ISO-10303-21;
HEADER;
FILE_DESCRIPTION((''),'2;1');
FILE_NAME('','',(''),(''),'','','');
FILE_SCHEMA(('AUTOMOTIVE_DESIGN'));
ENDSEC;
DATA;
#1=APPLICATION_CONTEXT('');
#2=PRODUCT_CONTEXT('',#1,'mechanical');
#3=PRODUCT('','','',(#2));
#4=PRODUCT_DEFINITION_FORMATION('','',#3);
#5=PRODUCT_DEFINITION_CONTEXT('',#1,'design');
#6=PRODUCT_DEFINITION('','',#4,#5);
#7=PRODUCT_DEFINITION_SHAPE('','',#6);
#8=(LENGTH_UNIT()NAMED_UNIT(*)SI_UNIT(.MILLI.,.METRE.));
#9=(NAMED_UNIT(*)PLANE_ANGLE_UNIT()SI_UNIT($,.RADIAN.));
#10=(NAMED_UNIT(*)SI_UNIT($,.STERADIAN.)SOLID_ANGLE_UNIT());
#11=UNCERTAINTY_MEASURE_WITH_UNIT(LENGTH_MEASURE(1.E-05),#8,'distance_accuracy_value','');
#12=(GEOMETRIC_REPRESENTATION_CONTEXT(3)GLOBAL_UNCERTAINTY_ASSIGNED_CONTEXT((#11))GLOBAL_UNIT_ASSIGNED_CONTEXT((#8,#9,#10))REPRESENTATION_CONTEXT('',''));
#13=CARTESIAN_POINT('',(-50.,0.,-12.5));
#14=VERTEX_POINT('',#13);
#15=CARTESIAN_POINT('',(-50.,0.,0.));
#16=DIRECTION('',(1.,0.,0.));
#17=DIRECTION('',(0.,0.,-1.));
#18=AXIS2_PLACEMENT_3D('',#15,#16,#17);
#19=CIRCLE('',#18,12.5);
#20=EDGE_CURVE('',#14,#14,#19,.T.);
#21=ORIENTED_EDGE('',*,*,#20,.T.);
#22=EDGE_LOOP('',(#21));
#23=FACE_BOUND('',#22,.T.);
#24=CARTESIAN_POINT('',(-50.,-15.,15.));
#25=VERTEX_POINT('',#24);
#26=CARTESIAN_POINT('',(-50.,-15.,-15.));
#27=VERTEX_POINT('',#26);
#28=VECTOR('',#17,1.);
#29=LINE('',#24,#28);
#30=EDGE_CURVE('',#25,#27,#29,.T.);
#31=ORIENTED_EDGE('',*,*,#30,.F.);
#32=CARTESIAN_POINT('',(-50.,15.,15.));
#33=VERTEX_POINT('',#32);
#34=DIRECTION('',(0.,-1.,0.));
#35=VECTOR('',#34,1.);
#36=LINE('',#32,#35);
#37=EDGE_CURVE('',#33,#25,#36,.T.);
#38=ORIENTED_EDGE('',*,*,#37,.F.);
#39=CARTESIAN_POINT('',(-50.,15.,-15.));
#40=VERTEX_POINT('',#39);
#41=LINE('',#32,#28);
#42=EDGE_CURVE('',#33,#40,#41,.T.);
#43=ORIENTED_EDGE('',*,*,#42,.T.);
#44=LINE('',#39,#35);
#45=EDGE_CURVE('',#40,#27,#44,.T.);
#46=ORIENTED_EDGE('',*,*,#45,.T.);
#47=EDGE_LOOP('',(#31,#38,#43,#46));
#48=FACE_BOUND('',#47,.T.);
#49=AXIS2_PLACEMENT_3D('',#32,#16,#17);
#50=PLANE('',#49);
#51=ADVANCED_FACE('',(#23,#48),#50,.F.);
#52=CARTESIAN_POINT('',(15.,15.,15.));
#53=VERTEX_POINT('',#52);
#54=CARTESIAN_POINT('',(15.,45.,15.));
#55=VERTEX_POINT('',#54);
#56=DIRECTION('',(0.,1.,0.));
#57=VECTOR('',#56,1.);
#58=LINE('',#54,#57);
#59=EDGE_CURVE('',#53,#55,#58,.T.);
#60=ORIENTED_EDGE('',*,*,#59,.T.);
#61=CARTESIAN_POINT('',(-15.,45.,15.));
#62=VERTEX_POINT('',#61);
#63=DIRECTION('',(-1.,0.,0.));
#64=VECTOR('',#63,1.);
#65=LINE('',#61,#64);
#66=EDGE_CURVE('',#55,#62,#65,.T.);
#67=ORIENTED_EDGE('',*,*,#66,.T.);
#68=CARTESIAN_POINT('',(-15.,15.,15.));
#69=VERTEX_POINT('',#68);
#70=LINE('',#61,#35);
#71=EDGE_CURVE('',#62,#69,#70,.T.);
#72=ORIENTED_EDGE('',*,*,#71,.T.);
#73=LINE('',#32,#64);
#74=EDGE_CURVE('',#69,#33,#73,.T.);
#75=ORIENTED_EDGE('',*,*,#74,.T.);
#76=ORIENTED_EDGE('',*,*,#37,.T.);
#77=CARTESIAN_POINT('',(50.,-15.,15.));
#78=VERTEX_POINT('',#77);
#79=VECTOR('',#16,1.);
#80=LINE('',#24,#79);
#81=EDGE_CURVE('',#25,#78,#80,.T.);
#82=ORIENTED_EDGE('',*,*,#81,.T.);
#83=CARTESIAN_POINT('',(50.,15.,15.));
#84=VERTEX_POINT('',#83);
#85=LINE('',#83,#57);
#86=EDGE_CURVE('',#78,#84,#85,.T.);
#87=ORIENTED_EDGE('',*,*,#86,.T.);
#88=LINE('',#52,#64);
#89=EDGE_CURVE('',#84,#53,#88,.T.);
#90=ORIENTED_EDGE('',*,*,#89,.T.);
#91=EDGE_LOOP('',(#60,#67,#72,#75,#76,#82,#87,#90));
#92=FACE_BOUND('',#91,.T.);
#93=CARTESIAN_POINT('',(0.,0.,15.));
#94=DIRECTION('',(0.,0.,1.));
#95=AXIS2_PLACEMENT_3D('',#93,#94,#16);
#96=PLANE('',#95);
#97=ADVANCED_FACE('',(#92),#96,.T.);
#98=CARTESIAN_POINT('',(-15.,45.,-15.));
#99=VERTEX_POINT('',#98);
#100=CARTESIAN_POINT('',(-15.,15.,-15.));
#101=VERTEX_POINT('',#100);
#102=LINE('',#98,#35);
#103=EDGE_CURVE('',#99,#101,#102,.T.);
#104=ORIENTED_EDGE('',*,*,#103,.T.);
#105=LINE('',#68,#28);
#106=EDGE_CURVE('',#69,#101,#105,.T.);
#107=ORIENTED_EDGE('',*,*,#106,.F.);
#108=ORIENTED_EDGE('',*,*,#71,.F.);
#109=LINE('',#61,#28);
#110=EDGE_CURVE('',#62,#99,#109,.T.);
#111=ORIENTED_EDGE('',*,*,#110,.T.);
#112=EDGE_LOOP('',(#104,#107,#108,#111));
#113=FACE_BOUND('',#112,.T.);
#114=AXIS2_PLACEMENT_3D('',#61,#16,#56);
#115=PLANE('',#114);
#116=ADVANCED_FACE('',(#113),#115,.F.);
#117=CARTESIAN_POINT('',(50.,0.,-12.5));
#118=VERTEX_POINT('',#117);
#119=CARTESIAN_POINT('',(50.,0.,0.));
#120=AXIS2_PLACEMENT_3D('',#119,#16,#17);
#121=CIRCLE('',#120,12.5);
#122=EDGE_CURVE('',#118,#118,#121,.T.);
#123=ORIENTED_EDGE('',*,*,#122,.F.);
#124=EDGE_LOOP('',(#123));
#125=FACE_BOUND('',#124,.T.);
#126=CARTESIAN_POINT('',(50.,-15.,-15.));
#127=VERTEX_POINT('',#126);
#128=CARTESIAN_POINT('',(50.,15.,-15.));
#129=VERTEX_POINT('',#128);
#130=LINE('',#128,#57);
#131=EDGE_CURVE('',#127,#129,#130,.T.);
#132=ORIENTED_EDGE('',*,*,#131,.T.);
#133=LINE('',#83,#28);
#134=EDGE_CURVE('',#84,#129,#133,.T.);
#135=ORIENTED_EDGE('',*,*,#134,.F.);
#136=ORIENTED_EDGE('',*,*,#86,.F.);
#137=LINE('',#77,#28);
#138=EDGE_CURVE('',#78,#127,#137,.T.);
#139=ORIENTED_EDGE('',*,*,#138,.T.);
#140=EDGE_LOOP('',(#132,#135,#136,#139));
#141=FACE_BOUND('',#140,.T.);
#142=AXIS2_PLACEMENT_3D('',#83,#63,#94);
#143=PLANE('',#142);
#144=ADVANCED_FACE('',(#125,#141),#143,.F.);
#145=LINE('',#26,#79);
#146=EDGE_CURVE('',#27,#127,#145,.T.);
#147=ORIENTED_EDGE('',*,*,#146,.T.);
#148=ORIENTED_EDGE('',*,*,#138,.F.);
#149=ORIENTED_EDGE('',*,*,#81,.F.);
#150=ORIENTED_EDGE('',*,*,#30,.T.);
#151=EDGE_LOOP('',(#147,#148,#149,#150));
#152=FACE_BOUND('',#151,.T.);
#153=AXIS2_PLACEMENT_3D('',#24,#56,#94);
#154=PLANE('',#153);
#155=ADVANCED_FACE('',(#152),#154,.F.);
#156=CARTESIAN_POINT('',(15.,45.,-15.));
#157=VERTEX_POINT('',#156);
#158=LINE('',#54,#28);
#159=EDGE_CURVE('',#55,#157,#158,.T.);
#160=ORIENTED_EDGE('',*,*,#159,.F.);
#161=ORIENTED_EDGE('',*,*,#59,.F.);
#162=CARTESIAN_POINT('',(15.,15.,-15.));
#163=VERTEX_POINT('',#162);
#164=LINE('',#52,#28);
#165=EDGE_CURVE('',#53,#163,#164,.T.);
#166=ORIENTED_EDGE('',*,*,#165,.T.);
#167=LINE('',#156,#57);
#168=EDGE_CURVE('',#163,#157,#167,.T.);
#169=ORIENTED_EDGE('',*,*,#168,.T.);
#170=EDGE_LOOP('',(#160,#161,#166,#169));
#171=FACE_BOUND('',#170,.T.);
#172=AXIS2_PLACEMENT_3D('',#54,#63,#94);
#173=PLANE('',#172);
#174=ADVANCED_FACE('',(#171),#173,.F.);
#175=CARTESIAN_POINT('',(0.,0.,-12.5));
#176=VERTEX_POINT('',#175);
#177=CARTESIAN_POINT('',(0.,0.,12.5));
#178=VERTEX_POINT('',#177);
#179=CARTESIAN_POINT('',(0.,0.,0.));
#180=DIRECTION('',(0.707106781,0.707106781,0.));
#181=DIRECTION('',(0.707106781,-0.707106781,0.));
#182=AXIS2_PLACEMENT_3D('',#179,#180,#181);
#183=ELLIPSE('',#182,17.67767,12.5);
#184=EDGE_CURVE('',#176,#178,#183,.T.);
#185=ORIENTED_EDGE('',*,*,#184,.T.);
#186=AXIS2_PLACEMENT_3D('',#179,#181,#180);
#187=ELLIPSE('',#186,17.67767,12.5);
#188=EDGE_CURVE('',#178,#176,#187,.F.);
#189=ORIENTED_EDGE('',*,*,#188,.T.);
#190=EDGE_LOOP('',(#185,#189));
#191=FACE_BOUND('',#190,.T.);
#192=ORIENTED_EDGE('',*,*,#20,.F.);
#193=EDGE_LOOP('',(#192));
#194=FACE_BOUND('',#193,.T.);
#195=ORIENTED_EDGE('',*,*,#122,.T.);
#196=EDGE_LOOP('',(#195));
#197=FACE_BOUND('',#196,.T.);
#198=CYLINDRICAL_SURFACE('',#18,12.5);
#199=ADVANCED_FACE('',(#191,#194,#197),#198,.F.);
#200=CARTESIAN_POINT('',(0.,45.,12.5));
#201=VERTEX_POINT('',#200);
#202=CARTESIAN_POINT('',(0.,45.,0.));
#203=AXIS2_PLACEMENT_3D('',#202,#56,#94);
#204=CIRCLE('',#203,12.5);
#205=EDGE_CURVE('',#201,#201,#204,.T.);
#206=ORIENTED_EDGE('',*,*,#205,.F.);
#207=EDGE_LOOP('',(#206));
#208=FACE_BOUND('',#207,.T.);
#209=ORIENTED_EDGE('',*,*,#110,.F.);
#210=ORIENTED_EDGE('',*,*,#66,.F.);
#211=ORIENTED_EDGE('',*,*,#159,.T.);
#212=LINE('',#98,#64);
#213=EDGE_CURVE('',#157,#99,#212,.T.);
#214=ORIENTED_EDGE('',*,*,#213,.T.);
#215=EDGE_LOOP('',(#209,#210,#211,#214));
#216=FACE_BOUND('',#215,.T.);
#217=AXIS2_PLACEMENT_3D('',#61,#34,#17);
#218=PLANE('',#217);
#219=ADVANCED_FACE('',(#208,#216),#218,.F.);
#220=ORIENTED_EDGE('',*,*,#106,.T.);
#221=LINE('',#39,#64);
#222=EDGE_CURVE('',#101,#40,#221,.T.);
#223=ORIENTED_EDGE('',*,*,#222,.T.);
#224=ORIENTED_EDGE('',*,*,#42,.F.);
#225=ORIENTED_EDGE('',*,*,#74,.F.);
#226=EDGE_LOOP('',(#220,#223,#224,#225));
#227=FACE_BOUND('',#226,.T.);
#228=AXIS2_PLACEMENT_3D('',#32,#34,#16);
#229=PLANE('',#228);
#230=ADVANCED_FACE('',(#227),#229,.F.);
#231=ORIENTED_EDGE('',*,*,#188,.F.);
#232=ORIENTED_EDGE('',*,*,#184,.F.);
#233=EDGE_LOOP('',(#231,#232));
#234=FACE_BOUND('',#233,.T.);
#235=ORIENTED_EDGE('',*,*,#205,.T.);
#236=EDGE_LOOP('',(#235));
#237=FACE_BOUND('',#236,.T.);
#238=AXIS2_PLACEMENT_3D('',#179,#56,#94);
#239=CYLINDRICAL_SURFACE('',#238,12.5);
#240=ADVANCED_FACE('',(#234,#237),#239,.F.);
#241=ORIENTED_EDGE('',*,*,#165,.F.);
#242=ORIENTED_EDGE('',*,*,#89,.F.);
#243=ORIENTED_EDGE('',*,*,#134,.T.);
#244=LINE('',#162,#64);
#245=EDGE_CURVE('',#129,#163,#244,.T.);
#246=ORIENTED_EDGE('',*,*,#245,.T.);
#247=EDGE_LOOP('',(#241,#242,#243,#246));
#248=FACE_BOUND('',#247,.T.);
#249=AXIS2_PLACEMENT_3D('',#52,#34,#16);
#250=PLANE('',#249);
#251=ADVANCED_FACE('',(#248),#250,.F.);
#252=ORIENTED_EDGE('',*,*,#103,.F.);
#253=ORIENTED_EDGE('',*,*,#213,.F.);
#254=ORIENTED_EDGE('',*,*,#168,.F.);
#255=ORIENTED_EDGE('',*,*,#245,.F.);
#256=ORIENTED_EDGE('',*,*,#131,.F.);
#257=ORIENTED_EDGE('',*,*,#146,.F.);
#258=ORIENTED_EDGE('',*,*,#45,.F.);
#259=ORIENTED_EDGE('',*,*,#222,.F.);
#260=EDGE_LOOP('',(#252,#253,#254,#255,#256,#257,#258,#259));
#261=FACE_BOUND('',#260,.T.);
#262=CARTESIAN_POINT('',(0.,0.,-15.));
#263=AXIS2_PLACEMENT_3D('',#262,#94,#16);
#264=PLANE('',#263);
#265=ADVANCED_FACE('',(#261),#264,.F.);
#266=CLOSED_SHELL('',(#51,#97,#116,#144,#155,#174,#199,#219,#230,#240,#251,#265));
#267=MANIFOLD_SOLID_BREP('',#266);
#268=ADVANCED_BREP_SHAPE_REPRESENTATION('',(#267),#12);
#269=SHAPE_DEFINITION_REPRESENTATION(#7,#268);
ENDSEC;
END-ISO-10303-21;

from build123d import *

# Parameters (mm, degrees)
EXTRUDE_3_DEPTH     = 15
SKETCH_6_R          = 12.5
CUT_EXTRUDE_3_DEPTH = 100
SKETCH_7_R          = 12.5
CUT_EXTRUDE_4_DEPTH = 45


with BuildPart() as part:
    # 草图5 → 凸台-拉伸3 (new, symmetric)
    with BuildSketch(Plane.XY):
        Polygon((15, 15), (50, 15), (50, -15), (-50, -15), (-50, 15), (-15, 15), (-15, 45), (15, 45), align=None)
    extrude(amount=EXTRUDE_3_DEPTH, both=True)

    # 草图6 → 切除-拉伸3 (cut)
    with BuildSketch(Plane(origin=(50, 0, 0), x_dir=(0, 0, -1), z_dir=(1, 0, 0))):
        Circle(SKETCH_6_R)
    extrude(amount=-CUT_EXTRUDE_3_DEPTH, mode=Mode.SUBTRACT)

    # 草图7 → 切除-拉伸4 (cut)
    with BuildSketch(Plane(origin=(0, 45, 0), x_dir=(1, 0, 0), z_dir=(0, 1, 0))):
        with Locations(Location((0, 0, 0), (0, 0, 270))):
            Circle(SKETCH_7_R)
    extrude(amount=-CUT_EXTRUDE_4_DEPTH, mode=Mode.SUBTRACT)


solid = part.part
